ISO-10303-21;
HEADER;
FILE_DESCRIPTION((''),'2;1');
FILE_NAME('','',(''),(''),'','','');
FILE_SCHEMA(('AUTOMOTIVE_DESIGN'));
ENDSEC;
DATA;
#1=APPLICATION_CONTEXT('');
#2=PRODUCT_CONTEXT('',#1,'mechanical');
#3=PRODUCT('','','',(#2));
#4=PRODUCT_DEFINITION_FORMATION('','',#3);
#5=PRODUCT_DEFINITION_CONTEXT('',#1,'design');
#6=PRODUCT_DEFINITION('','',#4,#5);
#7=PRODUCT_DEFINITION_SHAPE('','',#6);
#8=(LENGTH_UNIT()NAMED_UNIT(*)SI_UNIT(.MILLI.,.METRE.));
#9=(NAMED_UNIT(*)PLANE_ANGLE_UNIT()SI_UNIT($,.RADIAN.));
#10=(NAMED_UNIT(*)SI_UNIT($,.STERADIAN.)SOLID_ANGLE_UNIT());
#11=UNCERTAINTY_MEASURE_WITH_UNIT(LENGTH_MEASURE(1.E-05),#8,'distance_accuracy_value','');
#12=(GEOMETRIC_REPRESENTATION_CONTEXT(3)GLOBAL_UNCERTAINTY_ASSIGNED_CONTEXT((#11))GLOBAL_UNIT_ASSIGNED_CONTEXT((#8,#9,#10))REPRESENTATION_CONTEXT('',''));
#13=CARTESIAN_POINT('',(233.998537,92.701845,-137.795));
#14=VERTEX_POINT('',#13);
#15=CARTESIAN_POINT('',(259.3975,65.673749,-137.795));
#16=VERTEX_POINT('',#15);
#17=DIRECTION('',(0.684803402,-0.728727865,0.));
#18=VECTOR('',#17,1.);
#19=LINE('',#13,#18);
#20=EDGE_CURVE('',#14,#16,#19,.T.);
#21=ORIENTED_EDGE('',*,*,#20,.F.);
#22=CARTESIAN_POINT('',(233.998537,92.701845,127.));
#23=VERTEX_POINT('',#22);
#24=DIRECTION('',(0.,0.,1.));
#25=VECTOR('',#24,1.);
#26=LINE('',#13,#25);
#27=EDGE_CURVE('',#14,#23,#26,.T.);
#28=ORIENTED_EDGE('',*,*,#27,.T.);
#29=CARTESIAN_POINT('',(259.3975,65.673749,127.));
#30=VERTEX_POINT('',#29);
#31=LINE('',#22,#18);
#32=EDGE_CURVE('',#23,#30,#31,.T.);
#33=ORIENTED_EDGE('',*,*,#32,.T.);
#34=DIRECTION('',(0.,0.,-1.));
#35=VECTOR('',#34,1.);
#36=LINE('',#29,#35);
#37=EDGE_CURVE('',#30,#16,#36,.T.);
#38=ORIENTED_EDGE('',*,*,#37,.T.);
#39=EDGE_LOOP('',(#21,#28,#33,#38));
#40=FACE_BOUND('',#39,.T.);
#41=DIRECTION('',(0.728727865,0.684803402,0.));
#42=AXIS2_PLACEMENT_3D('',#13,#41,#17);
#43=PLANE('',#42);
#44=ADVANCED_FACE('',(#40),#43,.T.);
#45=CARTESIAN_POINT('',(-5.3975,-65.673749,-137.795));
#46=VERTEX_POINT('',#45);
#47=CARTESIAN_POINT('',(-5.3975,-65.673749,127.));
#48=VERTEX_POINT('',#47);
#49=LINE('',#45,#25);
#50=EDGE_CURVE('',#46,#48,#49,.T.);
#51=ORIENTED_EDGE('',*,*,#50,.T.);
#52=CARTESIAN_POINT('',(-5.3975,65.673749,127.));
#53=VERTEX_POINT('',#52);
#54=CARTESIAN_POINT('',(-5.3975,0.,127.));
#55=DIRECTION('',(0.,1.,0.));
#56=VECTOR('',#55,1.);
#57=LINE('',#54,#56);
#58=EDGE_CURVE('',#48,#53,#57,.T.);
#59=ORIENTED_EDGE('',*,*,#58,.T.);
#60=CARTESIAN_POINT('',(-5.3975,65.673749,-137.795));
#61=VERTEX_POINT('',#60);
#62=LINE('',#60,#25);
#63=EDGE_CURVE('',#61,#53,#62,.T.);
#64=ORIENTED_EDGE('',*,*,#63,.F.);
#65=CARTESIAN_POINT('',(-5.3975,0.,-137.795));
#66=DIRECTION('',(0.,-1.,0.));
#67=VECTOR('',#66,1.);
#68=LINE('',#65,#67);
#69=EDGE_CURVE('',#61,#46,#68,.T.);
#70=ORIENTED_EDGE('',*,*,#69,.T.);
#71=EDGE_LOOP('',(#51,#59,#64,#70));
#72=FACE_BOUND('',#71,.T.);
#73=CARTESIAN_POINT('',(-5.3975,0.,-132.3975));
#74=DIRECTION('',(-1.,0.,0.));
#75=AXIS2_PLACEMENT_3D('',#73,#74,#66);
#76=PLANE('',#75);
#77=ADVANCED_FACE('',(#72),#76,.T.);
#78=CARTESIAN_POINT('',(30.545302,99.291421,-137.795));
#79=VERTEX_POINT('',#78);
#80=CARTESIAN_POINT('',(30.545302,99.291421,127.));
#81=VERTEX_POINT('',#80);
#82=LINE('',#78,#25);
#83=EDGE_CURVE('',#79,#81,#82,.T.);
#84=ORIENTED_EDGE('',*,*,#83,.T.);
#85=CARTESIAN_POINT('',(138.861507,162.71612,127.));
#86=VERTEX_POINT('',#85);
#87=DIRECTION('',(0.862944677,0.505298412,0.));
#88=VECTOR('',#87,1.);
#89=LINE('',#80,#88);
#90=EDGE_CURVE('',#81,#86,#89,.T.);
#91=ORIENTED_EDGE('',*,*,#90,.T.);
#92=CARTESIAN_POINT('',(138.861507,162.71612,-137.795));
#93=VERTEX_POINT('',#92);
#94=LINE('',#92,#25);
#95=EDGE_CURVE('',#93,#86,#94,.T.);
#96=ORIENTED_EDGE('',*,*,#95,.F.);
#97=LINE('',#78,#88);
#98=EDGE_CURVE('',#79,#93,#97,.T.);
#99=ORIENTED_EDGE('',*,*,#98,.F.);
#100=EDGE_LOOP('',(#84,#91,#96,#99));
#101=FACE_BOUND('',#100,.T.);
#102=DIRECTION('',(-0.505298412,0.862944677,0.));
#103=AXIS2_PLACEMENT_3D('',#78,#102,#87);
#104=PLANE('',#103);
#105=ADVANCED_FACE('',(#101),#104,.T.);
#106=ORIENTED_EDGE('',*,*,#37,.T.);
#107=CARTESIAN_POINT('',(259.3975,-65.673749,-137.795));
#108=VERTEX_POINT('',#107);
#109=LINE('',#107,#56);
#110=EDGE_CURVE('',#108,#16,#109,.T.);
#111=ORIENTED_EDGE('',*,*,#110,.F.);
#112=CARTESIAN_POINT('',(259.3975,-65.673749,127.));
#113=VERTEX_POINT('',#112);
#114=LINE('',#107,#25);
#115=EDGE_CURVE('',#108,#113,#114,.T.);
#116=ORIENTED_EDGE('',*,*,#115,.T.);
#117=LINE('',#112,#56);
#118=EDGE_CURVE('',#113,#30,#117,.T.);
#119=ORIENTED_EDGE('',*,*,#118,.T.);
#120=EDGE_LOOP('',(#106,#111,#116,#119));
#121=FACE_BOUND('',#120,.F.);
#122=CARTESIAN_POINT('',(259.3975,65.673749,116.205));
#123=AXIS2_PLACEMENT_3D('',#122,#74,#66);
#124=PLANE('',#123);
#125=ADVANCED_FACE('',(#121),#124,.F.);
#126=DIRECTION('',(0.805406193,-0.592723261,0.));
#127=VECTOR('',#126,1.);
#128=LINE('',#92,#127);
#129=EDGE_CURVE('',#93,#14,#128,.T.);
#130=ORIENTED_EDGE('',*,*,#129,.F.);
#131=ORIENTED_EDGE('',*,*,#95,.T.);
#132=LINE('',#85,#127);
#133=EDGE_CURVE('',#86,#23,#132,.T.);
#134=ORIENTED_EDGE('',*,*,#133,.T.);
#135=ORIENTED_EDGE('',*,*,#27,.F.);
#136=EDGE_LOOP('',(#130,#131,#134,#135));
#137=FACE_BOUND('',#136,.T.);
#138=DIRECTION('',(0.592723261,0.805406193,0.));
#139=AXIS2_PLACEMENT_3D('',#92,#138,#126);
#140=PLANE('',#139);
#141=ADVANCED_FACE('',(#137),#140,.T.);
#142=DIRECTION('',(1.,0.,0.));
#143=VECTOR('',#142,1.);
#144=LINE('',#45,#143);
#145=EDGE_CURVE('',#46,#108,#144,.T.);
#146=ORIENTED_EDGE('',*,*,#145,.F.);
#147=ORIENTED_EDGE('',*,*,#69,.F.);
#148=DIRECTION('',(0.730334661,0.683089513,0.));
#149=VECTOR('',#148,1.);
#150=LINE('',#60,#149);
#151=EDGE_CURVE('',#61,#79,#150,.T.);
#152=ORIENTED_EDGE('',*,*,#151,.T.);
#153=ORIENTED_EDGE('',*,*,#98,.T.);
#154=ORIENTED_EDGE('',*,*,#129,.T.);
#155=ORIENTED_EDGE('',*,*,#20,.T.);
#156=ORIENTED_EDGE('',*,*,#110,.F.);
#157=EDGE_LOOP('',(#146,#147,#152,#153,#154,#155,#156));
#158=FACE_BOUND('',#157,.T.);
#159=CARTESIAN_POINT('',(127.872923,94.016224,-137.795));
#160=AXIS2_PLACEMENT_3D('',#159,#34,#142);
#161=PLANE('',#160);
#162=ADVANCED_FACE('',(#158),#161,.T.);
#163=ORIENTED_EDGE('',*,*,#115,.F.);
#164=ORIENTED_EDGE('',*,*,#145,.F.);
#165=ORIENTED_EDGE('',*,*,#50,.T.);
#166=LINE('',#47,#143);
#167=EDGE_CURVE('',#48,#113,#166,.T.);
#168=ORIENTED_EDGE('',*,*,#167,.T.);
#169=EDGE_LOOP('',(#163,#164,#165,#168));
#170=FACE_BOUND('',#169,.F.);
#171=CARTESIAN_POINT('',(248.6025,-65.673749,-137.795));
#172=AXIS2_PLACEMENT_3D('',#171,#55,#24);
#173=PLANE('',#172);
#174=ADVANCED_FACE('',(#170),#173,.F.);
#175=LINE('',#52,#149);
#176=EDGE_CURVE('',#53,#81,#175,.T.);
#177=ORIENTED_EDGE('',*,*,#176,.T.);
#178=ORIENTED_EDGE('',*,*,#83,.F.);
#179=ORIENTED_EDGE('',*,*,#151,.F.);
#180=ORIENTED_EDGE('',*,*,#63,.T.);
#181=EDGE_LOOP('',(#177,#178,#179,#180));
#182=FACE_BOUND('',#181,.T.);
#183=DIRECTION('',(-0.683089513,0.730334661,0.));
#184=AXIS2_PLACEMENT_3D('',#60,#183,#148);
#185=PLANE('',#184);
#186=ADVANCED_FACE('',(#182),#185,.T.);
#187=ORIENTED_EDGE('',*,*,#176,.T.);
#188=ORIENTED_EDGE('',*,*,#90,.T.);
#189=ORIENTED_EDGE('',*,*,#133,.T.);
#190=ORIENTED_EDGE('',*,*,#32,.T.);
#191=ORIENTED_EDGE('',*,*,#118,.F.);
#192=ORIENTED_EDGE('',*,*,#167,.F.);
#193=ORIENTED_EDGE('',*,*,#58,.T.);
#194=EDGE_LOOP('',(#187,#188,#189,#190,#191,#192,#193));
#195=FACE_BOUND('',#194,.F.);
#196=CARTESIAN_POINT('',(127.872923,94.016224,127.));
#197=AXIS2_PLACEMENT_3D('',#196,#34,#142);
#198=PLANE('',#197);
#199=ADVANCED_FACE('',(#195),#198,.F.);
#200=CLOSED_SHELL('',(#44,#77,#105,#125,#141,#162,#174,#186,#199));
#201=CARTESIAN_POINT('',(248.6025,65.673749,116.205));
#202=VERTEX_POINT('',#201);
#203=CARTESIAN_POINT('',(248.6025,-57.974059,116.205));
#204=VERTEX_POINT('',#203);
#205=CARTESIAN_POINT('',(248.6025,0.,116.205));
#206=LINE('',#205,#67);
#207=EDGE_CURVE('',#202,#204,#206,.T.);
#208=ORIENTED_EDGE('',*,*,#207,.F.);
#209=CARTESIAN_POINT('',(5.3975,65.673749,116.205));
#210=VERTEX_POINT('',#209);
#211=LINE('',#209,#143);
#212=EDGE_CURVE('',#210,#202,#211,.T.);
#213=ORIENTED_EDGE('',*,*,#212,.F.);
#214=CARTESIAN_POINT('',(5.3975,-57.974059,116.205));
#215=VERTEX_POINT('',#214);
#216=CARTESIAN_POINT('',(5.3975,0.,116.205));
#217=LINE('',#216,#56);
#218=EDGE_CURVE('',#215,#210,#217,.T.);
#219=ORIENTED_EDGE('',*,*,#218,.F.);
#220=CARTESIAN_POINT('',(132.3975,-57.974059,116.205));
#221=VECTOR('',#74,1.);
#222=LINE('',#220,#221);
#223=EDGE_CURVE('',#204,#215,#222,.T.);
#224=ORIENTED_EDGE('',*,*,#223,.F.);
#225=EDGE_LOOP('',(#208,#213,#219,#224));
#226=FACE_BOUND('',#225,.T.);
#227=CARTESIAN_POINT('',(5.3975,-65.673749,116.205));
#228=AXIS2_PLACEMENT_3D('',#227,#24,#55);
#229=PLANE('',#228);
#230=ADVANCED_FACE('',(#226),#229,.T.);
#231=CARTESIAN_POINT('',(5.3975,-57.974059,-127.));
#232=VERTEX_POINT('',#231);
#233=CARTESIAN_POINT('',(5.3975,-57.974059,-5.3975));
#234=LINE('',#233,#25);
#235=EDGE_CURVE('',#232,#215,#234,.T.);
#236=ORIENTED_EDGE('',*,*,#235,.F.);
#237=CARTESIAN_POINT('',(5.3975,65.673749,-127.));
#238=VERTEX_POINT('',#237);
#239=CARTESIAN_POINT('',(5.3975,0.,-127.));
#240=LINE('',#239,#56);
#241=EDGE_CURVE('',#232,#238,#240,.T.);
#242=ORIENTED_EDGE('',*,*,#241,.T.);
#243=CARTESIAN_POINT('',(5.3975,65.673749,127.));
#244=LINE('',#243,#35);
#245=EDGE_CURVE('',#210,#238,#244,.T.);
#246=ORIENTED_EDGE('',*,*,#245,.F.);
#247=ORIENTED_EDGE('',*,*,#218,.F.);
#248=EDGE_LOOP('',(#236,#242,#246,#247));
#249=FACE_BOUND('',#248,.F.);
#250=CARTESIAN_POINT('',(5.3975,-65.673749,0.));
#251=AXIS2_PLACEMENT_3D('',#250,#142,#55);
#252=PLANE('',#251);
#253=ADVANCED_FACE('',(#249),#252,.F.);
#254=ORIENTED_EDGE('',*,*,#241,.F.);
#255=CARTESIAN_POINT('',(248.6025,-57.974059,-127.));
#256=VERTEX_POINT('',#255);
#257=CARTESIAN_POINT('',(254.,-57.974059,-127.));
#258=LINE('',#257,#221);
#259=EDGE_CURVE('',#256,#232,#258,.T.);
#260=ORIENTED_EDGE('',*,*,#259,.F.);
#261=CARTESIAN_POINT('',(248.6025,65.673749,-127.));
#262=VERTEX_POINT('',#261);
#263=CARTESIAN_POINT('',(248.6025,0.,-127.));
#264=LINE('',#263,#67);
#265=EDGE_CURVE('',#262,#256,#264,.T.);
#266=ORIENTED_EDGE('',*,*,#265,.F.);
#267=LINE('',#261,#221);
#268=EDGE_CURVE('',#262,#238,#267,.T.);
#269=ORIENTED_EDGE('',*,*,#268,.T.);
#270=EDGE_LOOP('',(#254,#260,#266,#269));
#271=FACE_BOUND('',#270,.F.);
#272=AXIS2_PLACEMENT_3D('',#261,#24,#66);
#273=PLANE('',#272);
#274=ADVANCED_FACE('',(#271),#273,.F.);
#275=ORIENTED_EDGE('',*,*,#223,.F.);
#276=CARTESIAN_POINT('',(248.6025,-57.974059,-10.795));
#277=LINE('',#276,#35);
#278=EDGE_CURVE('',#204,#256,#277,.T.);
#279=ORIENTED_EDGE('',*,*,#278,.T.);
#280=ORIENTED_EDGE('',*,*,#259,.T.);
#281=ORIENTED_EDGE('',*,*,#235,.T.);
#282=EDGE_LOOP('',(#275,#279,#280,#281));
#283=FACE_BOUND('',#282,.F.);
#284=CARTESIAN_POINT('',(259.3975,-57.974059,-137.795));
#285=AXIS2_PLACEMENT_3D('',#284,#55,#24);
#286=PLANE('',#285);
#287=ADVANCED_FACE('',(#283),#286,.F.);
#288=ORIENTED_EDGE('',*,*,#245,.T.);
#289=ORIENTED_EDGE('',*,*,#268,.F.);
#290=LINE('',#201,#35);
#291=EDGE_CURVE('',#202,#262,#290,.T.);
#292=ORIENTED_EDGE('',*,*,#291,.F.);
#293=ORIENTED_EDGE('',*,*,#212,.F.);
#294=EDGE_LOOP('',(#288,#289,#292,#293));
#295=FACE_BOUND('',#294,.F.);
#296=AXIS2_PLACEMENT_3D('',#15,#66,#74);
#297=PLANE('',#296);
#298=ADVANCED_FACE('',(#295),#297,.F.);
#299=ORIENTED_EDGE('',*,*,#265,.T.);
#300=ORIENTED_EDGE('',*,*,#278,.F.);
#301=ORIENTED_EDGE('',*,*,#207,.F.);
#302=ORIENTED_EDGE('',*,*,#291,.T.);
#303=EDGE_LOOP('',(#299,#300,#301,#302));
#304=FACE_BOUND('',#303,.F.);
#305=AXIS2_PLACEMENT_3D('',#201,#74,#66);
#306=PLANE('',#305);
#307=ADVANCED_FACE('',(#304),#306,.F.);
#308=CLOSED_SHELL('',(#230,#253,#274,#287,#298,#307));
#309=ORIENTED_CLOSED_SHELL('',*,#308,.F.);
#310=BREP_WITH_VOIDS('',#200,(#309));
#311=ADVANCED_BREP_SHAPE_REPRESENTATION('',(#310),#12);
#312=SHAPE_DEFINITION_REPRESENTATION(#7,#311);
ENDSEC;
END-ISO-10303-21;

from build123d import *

# Parameters (mm, degrees)
F0_W          = 10.795
F0_H          = 131.347498
F1_DEPTH      = 127
F1_DEPTH_BACK = 127
F2_W          = 131.347498
F2_H          = 10.795
F3_DEPTH      = 254
F4_W          = 10.795
F4_H          = 131.347498
F5_DEPTH      = 254
F6_W          = 131.347498
F6_H          = 10.795
F7_DEPTH      = 254
F8_W          = 7.69969
F8_H          = 264.795
F9_DEPTH      = 254
F11_DEPTH     = 264.795


with BuildPart() as f1:
    # F0 (on Top) → F1 (new body, two sides)
    with BuildSketch(Plane.XY) as f1_sk:
        Rectangle(F0_W, F0_H)
    extrude(amount=F1_DEPTH)
    extrude(f1_sk.sketch, amount=-F1_DEPTH_BACK)

    # F2 (on face) → F3 (join)
    with BuildSketch(Plane.YZ.offset(5.3975)):
        with Locations((0, 121.6025)):
            Rectangle(F2_W, F2_H)
    extrude(amount=F3_DEPTH)

    # F4 (on face) → F5 (join)
    with BuildSketch(Plane(origin=(0, 0, 116.205), x_dir=(1, 0, 0), z_dir=(0, 0, -1))):
        with Locations((254, 0)):
            Rectangle(F4_W, F4_H)
    extrude(amount=F5_DEPTH)

    # F6 (on face) → F7 (join)
    with BuildSketch(Plane(origin=(248.6025, 0, 0), x_dir=(0, -1, 0), z_dir=(-1, 0, 0))):
        with Locations((0, -132.3975)):
            Rectangle(F6_W, F6_H)
    extrude(amount=F7_DEPTH)

    # F8 (on face) → F9 (join)
    with BuildSketch(Plane.YZ.offset(259.3975)):
        with Locations((-61.823904, -5.3975)):
            Rectangle(F8_W, F8_H)
    extrude(amount=-F9_DEPTH)

    # F10 (on face) → F11 (join)
    with BuildSketch(Plane(origin=(0, 0, -137.795), x_dir=(1, 0, 0), z_dir=(0, 0, -1))):
        Polygon((233.998537, -92.701845), (259.3975, -65.673749), (-5.3975, -65.673749), (30.545302, -99.291421), (138.861507, -162.71612), align=None)
    extrude(amount=-F11_DEPTH)


solid = f1.part
